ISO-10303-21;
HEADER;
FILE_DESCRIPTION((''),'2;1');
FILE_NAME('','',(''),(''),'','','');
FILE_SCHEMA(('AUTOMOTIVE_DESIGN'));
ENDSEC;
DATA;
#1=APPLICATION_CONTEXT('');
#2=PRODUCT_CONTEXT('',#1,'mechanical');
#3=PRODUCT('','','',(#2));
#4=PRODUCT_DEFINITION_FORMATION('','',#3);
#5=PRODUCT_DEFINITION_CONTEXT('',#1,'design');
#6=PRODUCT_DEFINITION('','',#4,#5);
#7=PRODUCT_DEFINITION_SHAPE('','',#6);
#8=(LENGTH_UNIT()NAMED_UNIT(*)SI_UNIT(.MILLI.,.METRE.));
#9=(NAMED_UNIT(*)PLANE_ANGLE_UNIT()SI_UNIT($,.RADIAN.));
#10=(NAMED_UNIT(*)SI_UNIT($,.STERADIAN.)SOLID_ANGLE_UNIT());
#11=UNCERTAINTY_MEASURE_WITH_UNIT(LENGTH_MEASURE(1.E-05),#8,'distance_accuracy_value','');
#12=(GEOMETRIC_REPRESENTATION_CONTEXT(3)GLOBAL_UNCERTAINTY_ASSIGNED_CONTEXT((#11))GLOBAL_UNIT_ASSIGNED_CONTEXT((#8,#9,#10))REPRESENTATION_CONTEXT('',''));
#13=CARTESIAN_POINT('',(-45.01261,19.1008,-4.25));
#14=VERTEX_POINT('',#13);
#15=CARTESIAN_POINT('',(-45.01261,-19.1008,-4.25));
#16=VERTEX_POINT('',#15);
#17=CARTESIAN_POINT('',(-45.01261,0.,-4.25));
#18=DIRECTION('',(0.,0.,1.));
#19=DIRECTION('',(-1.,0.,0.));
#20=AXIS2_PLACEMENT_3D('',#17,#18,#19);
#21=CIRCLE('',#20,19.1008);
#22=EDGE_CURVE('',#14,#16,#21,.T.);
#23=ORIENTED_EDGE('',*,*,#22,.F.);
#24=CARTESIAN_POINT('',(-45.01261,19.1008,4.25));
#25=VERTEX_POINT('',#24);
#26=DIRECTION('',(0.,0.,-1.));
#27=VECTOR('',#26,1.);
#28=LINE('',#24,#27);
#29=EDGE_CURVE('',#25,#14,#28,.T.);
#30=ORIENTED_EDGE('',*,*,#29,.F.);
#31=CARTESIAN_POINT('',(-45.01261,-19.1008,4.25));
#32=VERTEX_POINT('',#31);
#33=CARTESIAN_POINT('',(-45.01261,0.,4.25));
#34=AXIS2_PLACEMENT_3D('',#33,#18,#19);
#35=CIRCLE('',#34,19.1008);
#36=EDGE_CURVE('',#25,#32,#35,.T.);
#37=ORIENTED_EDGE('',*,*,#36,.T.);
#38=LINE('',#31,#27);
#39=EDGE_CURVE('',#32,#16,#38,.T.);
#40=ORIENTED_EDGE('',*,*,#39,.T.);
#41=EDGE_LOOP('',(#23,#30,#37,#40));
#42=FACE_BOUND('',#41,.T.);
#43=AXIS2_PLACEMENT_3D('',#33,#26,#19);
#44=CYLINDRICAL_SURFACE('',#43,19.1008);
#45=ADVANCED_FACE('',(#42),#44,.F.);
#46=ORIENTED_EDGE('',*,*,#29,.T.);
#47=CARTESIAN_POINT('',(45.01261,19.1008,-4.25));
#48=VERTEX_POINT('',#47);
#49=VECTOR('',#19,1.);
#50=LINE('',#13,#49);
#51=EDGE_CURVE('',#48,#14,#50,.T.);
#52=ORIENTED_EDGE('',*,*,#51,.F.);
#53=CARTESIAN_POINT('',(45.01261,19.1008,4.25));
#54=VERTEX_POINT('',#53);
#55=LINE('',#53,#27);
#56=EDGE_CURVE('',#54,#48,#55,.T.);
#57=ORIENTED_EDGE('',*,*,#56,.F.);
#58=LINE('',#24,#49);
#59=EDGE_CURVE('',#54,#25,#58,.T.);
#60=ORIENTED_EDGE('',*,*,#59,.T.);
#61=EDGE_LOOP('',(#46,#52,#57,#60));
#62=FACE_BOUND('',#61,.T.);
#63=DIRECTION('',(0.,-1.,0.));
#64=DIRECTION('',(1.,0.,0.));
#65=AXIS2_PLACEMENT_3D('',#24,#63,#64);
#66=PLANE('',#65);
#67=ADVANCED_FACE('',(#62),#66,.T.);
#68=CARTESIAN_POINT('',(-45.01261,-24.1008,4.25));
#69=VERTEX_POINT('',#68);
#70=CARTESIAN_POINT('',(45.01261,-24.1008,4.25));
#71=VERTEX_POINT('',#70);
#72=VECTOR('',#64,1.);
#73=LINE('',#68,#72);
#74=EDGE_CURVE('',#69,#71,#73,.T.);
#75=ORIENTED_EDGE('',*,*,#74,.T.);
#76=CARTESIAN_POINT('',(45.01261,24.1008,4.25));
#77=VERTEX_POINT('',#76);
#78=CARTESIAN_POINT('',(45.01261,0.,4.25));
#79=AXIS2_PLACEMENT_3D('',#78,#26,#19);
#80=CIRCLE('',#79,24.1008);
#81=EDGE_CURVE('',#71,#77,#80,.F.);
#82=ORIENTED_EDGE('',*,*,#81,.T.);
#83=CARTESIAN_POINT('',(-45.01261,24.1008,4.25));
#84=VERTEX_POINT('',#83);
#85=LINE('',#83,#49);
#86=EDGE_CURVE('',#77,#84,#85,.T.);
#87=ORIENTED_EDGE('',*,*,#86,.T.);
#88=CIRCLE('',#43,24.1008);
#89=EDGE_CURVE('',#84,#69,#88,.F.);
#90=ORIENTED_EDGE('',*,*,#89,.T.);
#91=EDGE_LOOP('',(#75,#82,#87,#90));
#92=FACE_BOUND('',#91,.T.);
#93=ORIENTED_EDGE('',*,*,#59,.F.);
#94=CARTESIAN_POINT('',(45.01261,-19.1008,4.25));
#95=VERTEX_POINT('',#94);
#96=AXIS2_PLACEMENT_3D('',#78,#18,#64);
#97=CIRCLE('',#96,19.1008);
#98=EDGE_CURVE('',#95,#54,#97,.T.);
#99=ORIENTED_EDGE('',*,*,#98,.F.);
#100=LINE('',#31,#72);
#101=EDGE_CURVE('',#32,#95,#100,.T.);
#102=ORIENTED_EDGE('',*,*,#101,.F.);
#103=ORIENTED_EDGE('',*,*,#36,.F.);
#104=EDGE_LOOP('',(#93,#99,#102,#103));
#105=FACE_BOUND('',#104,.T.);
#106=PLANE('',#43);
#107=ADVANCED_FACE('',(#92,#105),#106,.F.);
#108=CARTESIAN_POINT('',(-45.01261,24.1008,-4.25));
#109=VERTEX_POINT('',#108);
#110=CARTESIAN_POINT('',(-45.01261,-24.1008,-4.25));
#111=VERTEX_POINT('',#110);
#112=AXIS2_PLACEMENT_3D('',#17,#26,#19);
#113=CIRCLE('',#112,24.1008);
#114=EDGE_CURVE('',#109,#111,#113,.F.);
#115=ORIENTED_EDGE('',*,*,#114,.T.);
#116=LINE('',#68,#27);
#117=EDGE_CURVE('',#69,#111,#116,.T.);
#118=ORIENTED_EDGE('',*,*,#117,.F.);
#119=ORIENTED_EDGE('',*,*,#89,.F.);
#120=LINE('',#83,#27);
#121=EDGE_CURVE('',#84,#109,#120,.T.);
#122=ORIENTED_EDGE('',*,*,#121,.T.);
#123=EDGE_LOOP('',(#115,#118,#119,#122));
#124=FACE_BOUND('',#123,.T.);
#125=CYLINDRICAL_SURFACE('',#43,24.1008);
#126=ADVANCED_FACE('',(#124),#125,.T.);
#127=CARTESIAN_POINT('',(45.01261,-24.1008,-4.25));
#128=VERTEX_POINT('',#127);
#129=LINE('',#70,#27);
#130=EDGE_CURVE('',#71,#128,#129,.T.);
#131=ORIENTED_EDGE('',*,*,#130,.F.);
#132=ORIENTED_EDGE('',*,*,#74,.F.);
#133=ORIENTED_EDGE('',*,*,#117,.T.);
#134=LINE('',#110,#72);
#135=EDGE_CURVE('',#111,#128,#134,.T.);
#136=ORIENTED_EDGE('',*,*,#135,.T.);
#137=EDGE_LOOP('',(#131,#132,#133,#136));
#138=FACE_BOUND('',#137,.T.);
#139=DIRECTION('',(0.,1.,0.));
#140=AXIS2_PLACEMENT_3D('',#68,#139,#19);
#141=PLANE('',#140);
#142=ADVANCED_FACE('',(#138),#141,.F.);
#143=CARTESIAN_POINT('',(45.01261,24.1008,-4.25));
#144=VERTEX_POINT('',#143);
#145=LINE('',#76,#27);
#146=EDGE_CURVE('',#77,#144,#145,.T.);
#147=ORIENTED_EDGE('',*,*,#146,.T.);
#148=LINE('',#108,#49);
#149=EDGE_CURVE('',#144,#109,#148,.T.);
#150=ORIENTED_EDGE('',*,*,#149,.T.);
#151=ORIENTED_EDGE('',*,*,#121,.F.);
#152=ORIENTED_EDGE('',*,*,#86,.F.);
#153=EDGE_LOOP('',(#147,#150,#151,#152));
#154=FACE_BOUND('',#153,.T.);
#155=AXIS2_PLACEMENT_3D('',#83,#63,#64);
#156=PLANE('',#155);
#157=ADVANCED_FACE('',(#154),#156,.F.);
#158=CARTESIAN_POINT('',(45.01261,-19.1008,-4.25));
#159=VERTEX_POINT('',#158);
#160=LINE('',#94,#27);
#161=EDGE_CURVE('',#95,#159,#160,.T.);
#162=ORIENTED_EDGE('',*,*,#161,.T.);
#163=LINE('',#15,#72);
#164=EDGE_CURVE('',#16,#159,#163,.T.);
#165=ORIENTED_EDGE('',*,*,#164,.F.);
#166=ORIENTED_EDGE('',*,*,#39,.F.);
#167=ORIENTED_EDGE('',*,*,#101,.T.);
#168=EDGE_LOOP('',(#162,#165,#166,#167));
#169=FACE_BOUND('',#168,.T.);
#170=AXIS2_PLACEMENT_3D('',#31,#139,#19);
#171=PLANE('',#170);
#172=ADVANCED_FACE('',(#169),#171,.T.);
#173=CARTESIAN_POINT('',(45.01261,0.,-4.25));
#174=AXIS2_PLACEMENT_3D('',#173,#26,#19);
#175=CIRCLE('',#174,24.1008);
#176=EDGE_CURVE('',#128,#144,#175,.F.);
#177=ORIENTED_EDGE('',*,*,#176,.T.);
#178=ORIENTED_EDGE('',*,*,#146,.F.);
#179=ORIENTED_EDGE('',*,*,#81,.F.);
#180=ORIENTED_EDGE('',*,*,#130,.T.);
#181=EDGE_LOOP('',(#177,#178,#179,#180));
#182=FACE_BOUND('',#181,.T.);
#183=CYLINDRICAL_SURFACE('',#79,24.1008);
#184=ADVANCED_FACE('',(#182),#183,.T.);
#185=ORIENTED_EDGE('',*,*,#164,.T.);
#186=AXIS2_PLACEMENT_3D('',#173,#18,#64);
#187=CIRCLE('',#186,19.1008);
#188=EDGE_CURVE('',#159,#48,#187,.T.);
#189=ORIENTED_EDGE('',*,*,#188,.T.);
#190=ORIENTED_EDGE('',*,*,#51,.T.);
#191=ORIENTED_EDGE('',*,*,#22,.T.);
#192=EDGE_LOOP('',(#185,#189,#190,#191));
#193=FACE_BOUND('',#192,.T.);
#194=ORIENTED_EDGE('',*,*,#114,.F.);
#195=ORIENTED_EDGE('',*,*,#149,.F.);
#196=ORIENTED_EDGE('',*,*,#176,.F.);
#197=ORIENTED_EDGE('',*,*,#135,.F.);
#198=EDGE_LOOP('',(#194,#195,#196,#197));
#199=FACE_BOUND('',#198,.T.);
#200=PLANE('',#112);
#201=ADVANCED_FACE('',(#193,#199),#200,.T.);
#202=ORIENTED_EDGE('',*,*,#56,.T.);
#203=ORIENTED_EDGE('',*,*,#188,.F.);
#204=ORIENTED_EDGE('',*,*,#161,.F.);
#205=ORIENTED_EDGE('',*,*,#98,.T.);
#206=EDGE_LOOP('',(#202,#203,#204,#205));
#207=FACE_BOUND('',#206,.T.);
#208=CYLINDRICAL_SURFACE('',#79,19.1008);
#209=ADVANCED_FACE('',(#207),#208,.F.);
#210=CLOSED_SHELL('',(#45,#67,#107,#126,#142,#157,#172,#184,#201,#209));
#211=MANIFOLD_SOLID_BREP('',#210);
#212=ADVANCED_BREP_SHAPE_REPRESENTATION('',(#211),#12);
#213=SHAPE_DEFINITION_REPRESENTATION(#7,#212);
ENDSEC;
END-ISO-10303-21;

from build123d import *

# Parameters (mm, degrees)
EXTRUDE_THIN1_DEPTH = 4.25


with BuildPart() as part:
    # Sketch1 → Extrude-Thin1 (new, symmetric)
    with BuildSketch(Plane.XY):
        with BuildLine():
            Line((45.01261, -24.1008), (-45.01261, -24.1008))
            ThreePointArc((-45.01261, -24.1008), (-69.11341, 0), (-45.01261, 24.1008))
            Line((-45.01261, 24.1008), (45.01261, 24.1008))
            ThreePointArc((45.01261, 24.1008), (69.11341, 0), (45.01261, -24.1008))
        make_face()
        with BuildLine():
            Line((45.01261, -19.1008), (-45.01261, -19.1008))
            ThreePointArc((-45.01261, -19.1008), (-64.11341, 0), (-45.01261, 19.1008))
            Line((-45.01261, 19.1008), (45.01261, 19.1008))
            ThreePointArc((45.01261, 19.1008), (64.11341, 0), (45.01261, -19.1008))
        make_face(mode=Mode.SUBTRACT)
    extrude(amount=EXTRUDE_THIN1_DEPTH, both=True)


solid = part.part
